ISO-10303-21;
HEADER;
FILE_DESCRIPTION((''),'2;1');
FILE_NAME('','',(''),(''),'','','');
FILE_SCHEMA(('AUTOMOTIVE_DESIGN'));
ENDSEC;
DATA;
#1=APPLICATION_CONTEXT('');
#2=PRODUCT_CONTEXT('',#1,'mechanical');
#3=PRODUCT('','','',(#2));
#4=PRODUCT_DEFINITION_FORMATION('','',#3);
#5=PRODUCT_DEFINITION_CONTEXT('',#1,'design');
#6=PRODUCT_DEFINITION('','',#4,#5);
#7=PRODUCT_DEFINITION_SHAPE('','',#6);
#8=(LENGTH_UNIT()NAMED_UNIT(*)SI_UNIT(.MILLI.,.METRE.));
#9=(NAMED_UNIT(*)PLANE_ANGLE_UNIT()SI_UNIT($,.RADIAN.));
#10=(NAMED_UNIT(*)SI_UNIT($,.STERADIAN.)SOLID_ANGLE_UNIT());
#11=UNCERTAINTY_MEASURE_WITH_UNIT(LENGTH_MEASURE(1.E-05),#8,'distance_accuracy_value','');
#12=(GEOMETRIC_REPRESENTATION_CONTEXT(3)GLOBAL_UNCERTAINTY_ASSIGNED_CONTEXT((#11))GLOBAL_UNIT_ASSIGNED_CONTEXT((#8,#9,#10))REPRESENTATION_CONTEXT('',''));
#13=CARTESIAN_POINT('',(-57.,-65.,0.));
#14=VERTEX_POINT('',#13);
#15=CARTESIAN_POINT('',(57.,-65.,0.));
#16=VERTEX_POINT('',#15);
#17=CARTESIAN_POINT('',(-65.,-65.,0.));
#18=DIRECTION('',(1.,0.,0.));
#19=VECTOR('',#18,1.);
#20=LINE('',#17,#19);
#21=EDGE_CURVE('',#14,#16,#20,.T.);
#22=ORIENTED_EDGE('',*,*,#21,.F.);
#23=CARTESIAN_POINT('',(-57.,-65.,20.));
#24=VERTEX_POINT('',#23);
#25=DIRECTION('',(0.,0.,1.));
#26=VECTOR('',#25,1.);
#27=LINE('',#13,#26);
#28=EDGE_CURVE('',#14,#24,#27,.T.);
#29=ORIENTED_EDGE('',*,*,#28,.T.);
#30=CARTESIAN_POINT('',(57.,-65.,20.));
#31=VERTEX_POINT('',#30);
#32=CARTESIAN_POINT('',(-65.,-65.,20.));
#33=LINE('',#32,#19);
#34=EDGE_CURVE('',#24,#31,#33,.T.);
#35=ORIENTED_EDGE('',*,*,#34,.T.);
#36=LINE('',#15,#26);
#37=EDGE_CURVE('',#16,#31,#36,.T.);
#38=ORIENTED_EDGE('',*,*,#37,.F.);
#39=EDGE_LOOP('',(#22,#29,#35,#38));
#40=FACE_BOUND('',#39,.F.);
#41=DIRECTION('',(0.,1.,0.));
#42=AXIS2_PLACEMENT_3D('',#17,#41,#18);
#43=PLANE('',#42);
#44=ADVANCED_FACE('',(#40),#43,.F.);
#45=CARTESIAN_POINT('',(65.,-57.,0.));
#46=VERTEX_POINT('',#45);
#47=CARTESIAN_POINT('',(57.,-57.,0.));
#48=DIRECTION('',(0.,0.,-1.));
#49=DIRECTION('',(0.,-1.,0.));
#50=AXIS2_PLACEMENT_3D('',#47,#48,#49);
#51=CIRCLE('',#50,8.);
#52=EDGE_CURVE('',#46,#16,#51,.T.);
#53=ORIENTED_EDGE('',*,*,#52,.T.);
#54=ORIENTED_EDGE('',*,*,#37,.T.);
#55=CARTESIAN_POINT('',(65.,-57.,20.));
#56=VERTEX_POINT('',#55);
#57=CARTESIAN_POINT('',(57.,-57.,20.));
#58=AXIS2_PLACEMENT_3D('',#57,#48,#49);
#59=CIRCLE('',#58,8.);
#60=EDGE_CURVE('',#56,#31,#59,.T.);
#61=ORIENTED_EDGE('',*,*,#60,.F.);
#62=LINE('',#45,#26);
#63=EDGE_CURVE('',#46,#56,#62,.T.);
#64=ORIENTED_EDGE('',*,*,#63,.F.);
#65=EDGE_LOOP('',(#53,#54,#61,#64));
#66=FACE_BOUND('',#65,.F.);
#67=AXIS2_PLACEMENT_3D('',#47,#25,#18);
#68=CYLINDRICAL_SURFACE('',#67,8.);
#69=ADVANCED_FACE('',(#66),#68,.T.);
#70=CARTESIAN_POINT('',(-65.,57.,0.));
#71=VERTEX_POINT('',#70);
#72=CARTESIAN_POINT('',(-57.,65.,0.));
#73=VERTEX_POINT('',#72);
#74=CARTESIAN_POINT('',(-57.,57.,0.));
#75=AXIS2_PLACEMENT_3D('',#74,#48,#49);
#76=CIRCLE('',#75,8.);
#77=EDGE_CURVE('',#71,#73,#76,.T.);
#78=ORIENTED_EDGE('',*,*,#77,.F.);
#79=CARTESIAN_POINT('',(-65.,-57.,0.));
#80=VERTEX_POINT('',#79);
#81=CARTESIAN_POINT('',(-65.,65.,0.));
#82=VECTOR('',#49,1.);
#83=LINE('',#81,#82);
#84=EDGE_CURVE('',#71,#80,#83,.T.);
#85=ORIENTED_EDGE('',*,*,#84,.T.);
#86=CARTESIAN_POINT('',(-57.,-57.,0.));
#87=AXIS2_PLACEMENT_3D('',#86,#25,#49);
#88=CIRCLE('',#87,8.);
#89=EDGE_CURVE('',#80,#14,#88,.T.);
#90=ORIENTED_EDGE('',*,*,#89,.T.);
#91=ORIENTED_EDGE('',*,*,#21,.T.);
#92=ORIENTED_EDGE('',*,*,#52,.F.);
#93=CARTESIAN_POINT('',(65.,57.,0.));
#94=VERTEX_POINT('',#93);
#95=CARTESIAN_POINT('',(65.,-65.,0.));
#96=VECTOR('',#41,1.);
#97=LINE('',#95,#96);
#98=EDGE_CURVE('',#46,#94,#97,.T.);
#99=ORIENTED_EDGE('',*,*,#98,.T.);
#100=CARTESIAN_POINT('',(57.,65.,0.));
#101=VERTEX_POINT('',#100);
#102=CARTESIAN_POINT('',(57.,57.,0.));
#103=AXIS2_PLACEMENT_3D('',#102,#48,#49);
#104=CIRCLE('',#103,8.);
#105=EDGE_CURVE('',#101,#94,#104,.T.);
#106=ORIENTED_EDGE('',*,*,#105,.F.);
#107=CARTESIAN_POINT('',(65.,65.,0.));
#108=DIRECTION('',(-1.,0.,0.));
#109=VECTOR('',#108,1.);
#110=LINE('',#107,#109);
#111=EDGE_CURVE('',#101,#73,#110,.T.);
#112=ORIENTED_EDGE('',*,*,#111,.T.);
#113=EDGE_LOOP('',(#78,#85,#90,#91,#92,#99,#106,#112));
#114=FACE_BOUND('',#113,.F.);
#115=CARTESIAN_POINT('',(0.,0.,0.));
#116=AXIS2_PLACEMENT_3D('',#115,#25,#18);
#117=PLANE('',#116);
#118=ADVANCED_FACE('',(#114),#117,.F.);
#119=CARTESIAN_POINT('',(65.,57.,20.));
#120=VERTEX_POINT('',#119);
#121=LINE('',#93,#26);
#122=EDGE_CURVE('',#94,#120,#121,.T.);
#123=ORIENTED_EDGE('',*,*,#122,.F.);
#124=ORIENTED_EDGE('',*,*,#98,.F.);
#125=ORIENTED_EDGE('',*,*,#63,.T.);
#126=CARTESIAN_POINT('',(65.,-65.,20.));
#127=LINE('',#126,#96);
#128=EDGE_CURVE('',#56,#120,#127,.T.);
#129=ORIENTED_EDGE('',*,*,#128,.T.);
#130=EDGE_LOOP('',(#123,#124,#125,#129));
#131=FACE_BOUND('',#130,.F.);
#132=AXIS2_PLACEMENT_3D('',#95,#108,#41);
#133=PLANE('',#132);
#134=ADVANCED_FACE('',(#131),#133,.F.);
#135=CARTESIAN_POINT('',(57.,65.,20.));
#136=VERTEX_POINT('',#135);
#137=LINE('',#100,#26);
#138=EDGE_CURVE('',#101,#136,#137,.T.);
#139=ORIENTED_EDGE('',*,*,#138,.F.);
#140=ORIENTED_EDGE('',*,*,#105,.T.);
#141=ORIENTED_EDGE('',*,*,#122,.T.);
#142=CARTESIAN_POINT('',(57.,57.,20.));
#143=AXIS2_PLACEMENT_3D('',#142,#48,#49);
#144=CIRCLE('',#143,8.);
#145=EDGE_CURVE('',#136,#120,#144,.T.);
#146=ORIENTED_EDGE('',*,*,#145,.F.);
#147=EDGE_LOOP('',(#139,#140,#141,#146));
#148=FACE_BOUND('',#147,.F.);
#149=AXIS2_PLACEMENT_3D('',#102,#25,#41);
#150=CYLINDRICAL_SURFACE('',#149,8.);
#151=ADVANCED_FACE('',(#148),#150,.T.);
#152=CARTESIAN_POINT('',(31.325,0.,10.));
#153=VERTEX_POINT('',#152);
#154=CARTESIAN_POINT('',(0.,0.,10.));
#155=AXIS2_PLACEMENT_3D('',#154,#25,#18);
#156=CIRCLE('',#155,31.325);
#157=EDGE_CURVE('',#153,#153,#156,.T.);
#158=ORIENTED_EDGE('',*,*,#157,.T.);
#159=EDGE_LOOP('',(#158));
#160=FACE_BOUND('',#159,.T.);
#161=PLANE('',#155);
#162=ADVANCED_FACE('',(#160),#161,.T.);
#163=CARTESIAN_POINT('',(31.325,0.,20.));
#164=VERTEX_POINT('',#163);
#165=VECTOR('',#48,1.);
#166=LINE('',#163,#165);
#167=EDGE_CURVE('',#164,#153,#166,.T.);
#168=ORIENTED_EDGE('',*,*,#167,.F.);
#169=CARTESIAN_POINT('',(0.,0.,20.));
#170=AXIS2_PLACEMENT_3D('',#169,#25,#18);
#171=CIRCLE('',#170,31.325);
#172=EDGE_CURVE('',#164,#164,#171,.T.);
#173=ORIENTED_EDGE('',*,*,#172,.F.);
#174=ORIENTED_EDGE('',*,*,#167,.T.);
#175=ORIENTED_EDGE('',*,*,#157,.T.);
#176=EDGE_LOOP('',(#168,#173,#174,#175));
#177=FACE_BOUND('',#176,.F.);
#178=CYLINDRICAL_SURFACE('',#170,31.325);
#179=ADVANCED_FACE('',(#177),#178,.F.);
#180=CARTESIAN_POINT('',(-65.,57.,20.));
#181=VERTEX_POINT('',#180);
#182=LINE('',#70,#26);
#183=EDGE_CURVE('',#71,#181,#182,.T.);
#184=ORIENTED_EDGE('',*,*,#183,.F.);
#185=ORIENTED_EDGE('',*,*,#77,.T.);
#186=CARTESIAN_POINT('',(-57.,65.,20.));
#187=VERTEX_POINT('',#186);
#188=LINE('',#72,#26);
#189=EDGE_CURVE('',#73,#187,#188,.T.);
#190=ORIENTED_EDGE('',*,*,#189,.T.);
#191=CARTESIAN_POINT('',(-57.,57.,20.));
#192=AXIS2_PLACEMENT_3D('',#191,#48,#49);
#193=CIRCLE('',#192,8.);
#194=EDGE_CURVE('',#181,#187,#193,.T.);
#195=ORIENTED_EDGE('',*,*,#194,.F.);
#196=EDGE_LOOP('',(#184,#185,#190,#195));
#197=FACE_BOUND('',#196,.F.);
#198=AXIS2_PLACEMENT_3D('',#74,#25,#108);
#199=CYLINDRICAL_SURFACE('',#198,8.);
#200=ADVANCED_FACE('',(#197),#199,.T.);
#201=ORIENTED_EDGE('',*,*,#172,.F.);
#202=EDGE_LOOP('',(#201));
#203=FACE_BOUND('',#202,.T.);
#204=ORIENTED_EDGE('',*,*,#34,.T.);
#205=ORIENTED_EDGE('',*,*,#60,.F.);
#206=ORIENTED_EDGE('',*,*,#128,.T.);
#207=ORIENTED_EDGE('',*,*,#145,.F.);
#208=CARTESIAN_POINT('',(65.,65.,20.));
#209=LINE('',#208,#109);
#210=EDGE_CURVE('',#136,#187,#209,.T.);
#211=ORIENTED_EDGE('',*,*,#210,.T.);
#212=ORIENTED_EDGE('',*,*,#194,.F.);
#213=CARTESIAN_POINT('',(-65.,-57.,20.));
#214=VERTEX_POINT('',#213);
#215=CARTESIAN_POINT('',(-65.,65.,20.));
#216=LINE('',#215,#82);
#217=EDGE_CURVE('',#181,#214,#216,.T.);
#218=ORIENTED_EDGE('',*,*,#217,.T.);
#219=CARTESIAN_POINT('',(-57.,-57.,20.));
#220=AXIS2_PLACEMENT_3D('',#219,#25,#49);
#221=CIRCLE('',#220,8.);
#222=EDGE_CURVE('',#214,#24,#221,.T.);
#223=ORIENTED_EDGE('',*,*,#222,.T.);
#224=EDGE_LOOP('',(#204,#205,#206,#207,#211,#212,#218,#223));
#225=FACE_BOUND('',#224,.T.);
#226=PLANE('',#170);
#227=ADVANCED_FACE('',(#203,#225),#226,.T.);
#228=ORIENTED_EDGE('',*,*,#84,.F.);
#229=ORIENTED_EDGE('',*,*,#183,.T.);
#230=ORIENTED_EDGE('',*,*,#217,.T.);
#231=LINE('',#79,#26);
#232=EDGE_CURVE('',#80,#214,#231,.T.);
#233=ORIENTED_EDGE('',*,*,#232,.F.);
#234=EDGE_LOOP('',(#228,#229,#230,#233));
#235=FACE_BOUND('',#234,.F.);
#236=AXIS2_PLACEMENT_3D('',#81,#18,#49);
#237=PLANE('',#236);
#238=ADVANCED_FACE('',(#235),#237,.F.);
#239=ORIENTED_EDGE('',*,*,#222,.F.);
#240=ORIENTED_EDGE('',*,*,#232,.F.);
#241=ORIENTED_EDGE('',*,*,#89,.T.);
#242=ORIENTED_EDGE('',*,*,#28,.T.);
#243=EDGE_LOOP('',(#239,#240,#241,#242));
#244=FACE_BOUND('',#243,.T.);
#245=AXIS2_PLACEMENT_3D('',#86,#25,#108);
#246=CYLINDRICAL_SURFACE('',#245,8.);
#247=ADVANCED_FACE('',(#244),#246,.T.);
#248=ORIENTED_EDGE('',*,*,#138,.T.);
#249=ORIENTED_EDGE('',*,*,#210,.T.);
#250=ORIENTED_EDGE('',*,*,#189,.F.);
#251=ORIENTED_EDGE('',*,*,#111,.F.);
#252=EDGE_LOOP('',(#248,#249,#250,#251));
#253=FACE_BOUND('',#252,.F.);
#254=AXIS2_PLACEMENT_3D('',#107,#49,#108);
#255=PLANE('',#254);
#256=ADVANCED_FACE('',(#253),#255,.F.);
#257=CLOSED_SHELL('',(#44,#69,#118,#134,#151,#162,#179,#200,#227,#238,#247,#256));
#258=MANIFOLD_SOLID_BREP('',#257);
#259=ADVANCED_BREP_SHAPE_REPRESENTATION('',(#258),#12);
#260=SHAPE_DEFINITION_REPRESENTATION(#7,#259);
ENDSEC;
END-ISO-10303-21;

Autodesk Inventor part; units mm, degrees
ref_plane "YZ Plane" through (0, 0, 0) normal (1, 0, 0) x (0, 1, 0)
ref_plane "XZ Plane" through (0, 0, 0) normal (0, 1, 0) x (-1, 0, 0)
ref_plane "XY Plane" through (0, 0, 0) normal (0, 0, 1) x (1, 0, 0)
sketch "Sketch1" plane through (0, 0, 0) normal (0, 0, 1) x (1, 0, 0)
  line L0 (-65, -65) -> (65, -65)
  line L1 (65, -65) -> (65, 65)
  line L2 (65, 65) -> (-65, 65)
  line L3 (-65, 65) -> (-65, -65)
  line L4 (-65, -65) -> (65, 65) construction
  line L5 (65, -65) -> (-65, 65) construction
  point P0 (0, 0)
  dimension "d0" = 130
  dimension "d1" = 130
extrude "Extrusion1" add sketch "Sketch1" along normal blind 20
fillet "Fillet1" radius 8 4 edges at (65, -65, 10) (65, 65, 10) (-65, -65, 10) (-65, 65, 10)
sketch "Sketch2" plane through (0, 0, 20) normal (0, 0, 1) x (1, 0, 0)
  circle A0 centre (0, 0) radius 31.325
  dimension "d7" = 62.65
extrude "Extrusion2" cut sketch "Sketch2" against normal blind 10
